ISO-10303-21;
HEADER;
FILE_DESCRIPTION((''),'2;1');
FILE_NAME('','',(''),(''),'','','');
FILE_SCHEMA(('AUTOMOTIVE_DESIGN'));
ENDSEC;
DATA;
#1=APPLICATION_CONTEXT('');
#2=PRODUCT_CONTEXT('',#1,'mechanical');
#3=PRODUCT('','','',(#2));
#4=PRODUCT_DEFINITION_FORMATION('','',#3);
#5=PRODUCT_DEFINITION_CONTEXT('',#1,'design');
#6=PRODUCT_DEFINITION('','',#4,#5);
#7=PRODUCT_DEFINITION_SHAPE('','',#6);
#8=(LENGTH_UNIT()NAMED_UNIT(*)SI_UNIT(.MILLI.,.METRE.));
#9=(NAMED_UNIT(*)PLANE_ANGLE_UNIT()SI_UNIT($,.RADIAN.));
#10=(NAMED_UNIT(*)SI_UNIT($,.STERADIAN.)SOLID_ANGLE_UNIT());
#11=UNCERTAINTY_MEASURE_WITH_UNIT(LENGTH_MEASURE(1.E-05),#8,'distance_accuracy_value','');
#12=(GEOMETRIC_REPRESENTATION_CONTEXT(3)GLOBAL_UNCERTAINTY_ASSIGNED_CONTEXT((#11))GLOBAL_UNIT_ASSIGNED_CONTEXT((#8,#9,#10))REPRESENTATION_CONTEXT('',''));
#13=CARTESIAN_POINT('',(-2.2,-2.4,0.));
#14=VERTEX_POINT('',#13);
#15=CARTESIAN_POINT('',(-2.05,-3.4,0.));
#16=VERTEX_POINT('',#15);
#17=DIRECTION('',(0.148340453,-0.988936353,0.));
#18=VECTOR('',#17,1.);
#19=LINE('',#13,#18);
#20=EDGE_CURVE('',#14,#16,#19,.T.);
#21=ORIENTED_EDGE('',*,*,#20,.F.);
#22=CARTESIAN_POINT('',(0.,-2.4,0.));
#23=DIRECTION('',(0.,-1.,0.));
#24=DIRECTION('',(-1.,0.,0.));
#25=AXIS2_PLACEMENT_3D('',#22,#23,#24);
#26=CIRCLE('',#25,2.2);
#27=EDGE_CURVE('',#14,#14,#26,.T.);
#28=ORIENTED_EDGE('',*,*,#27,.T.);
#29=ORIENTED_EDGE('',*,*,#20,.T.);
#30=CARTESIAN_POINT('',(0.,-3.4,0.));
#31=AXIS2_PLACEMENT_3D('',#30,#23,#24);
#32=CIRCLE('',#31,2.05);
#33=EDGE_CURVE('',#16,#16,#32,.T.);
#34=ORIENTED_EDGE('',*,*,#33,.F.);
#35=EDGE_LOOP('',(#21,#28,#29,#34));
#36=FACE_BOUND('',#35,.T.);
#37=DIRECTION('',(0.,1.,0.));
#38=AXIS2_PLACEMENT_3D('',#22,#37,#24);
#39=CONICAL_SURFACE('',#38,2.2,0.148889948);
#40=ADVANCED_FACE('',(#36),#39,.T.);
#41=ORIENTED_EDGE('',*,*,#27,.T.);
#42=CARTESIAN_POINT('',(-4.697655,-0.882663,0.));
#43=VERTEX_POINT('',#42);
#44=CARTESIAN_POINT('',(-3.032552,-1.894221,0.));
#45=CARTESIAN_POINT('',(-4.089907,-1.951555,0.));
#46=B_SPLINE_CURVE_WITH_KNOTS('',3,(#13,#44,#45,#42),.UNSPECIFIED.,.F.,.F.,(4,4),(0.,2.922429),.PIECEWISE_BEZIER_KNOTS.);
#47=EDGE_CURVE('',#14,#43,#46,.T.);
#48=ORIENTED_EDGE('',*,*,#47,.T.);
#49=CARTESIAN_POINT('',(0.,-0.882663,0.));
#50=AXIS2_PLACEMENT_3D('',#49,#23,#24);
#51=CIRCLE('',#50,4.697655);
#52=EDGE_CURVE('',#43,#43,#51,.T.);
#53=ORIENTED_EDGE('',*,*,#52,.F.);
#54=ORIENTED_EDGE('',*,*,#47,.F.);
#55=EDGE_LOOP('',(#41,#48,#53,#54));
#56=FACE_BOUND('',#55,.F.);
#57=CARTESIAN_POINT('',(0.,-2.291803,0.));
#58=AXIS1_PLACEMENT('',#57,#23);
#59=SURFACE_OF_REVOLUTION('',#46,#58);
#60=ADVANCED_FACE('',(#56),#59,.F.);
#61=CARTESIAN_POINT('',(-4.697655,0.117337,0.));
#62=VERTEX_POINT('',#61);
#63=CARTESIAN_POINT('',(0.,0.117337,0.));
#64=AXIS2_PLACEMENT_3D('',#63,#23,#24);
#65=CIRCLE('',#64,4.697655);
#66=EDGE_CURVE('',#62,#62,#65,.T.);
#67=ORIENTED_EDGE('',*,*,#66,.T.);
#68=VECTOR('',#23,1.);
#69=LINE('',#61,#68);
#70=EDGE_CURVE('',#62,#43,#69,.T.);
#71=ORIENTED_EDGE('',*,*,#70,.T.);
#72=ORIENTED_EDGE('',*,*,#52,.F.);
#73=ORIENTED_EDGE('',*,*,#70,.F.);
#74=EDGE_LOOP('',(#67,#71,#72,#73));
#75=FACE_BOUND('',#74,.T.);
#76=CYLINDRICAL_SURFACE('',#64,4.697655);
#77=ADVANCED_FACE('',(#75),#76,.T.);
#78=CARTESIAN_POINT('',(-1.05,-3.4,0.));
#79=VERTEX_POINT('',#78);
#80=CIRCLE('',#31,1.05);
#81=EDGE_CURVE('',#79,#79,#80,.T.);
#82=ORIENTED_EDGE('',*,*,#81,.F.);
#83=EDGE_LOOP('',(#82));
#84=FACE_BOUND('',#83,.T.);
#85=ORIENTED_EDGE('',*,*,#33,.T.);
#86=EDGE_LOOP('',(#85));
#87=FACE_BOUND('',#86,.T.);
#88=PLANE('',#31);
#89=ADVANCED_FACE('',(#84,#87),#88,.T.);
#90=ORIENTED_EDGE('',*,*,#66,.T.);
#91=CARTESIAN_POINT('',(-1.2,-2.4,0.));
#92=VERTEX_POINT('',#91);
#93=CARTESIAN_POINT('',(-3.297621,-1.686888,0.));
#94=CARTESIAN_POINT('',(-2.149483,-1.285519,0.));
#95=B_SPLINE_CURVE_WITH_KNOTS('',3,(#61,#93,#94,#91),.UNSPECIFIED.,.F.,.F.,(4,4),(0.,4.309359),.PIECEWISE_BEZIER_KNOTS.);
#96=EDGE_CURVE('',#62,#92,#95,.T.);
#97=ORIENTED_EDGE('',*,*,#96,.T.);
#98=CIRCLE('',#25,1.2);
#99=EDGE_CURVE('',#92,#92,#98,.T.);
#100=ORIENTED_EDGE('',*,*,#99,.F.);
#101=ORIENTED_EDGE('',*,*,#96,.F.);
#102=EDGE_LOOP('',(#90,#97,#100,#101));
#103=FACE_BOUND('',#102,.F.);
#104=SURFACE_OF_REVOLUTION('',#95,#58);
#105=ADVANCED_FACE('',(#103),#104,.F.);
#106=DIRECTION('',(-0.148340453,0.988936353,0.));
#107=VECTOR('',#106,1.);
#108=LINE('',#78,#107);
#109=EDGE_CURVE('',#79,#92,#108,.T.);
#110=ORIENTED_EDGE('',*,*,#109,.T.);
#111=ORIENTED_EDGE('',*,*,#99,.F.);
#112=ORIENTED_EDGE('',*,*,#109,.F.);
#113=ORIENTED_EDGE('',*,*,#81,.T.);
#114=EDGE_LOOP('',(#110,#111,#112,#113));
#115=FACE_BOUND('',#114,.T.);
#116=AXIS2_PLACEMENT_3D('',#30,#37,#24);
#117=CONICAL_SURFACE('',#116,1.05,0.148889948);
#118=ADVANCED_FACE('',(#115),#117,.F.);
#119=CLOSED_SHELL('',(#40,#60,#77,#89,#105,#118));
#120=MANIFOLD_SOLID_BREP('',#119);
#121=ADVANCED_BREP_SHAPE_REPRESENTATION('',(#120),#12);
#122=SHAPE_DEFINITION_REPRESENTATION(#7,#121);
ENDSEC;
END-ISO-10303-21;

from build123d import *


with BuildPart() as f3:
    # F1 (on Top) → F3 (revolve)
    with BuildSketch(Plane.XY):
        with BuildLine():
            Line((-2.2, -2.4), (-2.05, -3.4))
            Line((-2.05, -3.4), (-1.05, -3.4))
            Line((-1.05, -3.4), (-1.2, -2.4))
            add(Edge.make_bspline(
                [(-4.697655, 0.117337), (-3.297621, -1.686888), (-2.149483, -1.285519), (-1.2, -2.4)],
                knots=[0, 0, 0, 0, 4.309359, 4.309359, 4.309359, 4.309359], degree=3))
            Line((-4.697655, 0.117337), (-4.697655, -0.882663))
            add(Edge.make_bspline(
                [(-2.2, -2.4), (-3.032552, -1.894221), (-4.089907, -1.951555), (-4.697655, -0.882663)],
                knots=[0, 0, 0, 0, 2.922429, 2.922429, 2.922429, 2.922429], degree=3))
        make_face()
    revolve(axis=Axis((0, -2.291803, 0), (0, -1, 0)))


solid = f3.part
